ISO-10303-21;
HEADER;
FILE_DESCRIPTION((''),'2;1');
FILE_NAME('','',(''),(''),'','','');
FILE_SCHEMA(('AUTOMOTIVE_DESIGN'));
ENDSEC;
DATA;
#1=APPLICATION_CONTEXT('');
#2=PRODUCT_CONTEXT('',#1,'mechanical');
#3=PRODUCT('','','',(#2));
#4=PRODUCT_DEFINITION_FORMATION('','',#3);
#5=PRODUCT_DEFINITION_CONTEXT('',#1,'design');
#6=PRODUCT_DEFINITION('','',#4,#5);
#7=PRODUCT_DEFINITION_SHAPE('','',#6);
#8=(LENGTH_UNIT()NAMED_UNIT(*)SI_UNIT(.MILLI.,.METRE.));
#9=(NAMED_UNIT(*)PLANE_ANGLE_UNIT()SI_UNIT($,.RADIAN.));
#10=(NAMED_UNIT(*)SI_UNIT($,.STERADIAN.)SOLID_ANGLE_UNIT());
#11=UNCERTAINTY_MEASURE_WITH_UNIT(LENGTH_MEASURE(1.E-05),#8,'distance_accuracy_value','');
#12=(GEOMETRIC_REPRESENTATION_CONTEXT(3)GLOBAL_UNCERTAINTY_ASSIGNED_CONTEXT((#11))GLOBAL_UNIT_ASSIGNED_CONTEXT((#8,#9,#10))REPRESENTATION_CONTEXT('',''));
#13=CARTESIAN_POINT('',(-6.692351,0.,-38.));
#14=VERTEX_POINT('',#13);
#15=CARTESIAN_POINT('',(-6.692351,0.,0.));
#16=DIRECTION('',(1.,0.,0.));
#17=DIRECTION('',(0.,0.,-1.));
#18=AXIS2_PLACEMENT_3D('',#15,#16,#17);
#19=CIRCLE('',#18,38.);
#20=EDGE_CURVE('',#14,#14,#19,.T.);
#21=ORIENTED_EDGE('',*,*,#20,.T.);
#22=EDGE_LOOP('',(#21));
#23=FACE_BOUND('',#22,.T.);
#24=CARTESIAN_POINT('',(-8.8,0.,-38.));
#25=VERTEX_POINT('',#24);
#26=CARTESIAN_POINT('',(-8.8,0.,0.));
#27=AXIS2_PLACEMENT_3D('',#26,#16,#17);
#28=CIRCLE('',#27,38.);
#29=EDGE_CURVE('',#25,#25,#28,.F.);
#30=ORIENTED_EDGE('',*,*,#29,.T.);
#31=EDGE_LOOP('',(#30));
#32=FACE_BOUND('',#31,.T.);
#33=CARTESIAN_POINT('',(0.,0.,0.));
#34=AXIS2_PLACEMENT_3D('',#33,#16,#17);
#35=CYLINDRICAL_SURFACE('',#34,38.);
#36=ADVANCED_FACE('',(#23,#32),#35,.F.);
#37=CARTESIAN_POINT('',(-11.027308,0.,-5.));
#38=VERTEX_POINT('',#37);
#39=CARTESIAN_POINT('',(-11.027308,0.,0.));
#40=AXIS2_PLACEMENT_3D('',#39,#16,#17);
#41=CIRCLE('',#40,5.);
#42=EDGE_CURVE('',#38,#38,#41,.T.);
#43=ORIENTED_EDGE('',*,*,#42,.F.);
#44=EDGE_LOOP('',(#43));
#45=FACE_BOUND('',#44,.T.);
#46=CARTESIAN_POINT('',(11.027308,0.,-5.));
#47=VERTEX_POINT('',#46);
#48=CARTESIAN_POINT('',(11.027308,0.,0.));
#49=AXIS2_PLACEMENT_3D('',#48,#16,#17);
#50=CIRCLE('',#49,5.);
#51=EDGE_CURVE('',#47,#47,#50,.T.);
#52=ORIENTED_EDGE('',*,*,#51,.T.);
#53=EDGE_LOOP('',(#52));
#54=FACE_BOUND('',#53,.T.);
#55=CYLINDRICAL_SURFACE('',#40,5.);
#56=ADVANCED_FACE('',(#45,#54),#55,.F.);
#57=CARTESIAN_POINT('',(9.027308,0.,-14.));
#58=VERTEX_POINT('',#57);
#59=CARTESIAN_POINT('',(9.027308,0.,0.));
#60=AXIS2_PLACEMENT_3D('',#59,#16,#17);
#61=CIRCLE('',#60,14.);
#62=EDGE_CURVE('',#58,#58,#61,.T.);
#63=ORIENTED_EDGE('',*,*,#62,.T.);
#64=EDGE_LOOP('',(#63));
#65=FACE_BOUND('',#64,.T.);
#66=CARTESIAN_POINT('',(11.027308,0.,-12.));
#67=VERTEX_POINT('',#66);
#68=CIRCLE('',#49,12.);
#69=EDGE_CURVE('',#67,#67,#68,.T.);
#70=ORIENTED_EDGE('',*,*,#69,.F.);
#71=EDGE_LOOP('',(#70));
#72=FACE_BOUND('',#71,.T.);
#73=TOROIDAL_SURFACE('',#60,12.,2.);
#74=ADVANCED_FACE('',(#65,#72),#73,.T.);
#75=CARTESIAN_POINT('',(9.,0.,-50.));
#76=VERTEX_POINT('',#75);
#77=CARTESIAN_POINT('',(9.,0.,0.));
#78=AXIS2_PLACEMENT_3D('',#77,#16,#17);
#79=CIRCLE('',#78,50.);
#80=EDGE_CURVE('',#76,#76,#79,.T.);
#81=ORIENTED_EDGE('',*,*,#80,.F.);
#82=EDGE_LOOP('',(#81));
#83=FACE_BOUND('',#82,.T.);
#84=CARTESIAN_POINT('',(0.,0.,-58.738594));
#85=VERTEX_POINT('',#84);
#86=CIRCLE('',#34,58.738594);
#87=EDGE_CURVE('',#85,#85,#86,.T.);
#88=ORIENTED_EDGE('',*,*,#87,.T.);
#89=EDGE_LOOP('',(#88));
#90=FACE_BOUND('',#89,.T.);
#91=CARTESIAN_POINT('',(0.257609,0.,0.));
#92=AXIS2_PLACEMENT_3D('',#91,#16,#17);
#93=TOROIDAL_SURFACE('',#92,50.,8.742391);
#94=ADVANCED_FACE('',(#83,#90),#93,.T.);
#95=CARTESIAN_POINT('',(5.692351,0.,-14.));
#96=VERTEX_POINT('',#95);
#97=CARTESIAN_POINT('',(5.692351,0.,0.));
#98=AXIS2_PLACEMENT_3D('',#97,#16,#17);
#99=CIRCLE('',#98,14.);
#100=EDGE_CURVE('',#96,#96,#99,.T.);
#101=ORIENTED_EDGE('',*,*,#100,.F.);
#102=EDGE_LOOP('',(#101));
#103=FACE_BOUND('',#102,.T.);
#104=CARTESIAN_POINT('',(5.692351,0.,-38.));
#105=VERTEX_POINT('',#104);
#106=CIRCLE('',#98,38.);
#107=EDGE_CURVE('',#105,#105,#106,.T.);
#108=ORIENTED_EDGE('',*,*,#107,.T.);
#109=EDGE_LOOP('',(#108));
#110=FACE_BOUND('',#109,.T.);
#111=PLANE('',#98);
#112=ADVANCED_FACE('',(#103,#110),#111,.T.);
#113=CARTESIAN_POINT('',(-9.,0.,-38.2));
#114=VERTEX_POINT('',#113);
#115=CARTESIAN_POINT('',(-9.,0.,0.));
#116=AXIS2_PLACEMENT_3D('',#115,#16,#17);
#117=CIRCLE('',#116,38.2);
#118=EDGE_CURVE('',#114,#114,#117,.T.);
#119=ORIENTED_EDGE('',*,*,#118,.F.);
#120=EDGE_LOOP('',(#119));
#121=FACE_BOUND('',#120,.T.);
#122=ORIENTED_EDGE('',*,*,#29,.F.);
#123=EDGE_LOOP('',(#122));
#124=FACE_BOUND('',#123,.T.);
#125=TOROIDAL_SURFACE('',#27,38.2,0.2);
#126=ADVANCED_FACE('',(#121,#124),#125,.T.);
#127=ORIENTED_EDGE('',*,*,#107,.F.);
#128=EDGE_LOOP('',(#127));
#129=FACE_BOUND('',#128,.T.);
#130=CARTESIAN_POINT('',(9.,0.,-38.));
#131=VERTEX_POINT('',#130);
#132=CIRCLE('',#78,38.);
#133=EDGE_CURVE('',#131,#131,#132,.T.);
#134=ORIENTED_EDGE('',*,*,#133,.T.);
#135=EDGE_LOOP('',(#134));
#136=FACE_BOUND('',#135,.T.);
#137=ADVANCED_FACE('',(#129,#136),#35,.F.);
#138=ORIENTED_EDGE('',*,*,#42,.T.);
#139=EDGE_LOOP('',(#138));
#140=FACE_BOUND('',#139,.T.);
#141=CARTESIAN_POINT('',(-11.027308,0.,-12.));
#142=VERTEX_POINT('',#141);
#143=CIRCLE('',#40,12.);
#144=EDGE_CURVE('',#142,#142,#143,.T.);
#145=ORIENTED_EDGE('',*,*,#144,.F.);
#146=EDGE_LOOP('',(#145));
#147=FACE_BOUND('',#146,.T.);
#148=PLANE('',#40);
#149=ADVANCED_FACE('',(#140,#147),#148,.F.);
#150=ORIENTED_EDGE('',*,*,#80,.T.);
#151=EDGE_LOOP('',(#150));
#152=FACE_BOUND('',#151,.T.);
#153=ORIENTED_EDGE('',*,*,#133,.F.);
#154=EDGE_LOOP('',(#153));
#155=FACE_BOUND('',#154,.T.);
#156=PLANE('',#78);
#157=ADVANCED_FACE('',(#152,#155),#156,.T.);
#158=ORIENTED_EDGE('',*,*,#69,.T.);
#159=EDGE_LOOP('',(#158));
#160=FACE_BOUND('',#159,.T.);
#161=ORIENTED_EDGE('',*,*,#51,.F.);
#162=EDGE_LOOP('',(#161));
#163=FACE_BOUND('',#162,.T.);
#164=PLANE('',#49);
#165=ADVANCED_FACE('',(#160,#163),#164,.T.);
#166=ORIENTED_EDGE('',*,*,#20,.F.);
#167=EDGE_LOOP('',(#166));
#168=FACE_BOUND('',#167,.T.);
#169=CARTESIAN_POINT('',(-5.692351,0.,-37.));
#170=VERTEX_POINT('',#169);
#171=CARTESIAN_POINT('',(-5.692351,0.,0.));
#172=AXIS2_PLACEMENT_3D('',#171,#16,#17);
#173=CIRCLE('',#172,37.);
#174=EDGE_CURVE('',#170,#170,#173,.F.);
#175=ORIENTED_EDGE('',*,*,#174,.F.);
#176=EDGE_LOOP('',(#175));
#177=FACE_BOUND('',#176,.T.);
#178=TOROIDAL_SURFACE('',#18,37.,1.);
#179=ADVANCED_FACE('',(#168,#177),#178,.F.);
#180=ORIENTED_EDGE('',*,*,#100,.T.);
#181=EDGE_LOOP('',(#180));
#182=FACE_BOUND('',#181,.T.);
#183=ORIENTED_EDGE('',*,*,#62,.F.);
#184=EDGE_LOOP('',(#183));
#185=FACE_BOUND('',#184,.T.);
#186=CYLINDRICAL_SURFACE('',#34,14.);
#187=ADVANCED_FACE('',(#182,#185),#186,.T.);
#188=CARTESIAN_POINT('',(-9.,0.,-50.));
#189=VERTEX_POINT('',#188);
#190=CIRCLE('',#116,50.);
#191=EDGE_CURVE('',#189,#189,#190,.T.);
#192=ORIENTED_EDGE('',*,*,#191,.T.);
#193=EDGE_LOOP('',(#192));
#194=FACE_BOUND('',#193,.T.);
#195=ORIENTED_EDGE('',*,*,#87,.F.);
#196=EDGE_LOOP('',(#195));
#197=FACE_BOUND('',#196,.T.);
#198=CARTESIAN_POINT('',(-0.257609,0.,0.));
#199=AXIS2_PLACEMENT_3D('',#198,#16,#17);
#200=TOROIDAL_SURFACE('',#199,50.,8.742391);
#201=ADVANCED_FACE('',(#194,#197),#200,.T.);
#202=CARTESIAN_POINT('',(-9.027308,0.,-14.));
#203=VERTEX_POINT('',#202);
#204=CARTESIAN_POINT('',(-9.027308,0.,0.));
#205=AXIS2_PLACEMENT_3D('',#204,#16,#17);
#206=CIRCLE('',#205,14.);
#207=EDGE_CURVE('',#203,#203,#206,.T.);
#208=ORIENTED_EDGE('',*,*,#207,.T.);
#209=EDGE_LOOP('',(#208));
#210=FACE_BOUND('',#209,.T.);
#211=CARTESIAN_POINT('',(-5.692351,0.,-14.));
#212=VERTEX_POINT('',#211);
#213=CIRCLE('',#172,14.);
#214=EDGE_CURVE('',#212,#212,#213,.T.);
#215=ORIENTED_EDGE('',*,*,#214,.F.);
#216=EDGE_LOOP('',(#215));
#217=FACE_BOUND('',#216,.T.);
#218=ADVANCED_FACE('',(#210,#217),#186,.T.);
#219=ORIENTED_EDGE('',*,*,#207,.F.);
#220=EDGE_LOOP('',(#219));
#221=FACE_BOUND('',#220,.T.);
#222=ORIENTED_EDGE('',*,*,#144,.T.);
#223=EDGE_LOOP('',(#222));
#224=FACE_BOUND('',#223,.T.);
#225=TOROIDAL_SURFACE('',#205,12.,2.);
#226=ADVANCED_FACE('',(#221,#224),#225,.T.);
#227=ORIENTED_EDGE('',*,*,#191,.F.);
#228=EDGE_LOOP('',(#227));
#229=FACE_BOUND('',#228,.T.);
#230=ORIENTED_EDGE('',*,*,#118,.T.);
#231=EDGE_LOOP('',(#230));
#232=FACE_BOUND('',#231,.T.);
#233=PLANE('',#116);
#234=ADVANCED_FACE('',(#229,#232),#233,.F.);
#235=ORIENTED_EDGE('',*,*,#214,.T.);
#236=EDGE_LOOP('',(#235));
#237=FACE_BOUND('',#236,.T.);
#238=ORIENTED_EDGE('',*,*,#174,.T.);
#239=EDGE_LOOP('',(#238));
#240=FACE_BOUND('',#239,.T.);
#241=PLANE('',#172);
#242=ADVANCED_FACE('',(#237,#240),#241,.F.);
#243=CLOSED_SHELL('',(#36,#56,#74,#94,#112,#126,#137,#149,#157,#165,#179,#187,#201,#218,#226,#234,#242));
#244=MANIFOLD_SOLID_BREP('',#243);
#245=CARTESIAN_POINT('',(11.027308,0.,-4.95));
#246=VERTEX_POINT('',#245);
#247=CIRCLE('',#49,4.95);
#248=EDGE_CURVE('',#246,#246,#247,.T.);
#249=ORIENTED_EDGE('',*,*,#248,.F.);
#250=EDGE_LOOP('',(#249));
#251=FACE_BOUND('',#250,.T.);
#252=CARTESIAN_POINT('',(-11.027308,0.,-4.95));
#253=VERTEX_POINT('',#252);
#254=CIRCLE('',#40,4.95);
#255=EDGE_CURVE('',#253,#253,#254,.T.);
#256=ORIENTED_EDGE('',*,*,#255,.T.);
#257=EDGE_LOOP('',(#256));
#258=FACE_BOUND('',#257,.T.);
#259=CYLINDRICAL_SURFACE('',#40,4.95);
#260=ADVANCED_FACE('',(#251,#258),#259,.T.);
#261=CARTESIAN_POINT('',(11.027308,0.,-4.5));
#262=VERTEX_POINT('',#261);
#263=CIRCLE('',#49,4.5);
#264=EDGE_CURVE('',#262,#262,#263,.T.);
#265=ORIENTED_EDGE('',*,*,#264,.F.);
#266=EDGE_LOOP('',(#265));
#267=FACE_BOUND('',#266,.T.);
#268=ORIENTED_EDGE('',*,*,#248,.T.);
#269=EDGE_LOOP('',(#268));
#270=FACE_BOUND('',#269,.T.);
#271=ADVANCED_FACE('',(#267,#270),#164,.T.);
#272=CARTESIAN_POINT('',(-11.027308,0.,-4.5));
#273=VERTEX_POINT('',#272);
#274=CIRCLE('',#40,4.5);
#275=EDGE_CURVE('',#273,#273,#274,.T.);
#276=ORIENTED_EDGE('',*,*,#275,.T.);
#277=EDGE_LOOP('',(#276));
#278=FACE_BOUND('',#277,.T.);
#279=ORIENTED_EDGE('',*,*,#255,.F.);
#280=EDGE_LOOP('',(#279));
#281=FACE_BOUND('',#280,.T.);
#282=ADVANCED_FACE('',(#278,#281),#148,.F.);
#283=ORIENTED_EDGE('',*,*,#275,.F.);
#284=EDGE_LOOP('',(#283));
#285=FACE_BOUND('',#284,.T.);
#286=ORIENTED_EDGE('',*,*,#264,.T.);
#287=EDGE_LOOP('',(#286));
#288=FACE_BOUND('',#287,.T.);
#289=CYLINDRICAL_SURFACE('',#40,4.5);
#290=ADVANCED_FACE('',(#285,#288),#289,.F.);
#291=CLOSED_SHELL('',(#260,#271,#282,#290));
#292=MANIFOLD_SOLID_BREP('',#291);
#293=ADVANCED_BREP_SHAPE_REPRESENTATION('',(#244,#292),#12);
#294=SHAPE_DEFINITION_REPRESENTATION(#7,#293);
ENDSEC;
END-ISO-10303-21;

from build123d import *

# Parameters (mm, degrees)
SKETCH3_R          = 5
SKETCH3_R_2        = 4.95
SKETCH3_R_3        = 4.5
CUT_EXTRUDE1_DEPTH = 86.951980751
FILLET1_R          = 1
FILLET2_R          = 0.2


with BuildPart() as part:
    # Sketch2 → Revolve1 (revolve)
    with BuildSketch(Plane.XY, mode=Mode.PRIVATE) as revolve1_sk:
        with BuildLine():
            Line((-11.027307991, 12), (-11.027307991, 0))
            Line((-11.027307991, 0), (0, 0))
            Line((0, 0), (0, 58.738594233))
            ThreePointArc((0, 58.738594233), (-6.347653376, 56.272221081), (-9, 50))
            Line((-9, 50), (-9, 38))
            Line((-9, 38), (-5.692350932, 38))
            Line((-5.692350932, 38), (-5.692350932, 35.792500491))
            Line((-5.692350932, 35.792500491), (-5.692350932, 14))
            Line((-5.692350932, 14), (-9.027307991, 14))
            ThreePointArc((-9.027307991, 14), (-10.441521553, 13.414213562), (-11.027307991, 12))
        make_face()
        with BuildLine():
            Line((0, 58.738594233), (0, 0))
            Line((0, 0), (11.027307991, 0))
            Line((11.027307991, 0), (11.027307991, 12))
            ThreePointArc((11.027307991, 12), (10.441521553, 13.414213562), (9.027307991, 14))
            Line((9.027307991, 14), (5.692350932, 14))
            Line((5.692350932, 14), (5.692350932, 35.792500491))
            Line((5.692350932, 35.792500491), (5.692350932, 38))
            Line((5.692350932, 38), (9, 38))
            Line((9, 38), (9, 50))
            ThreePointArc((9, 50), (6.347653376, 56.272221081), (0, 58.738594233))
        make_face()
    revolve(revolve1_sk.sketch.rotate(Axis((0, 0, 0), (-1, 0, 0)), 90), axis=Axis((0, 0, 0), (-1, 0, 0)))

    # Sketch3 → Cut-Extrude1 (cut, through all)
    # profile 1 of 2: a face of its own
    with BuildSketch(Plane(origin=(11.027307991, 0, 0), x_dir=(0, 0, -1), z_dir=(1, 0, 0))):
        Circle(SKETCH3_R)
        Circle(SKETCH3_R_2, mode=Mode.SUBTRACT)
    # profile 2 of 2: a face of its own
    with BuildSketch(Plane(origin=(11.027307991, 0, 0), x_dir=(0, 0, -1), z_dir=(1, 0, 0))):
        Circle(SKETCH3_R_3)
    extrude(amount=-CUT_EXTRUDE1_DEPTH, mode=Mode.SUBTRACT)


with BuildPart() as cut_extrude1_piece_1:
    # of the separate pieces the step leaves, piece 1, a body of its own (cut_extrude1_pieces)
    add(part.part.solids().sort_by_distance((-11.027307991, 0, -12))[0])

    # Fillet1
    fillet1_edges = [cut_extrude1_piece_1.edges().sort_by_distance(p)[0] for p in [
        (-5.692350932, 0, 38),
    ]]
    fillet(fillet1_edges, radius=FILLET1_R)

    # Fillet2
    fillet2_edges = [cut_extrude1_piece_1.edges().sort_by_distance(p)[0] for p in [
        (-9, 0, 38),
    ]]
    fillet(fillet2_edges, radius=FILLET2_R)


with BuildPart() as cut_extrude1_piece_2:
    # of the separate pieces the step leaves, piece 2, a body of its own (cut_extrude1_pieces)
    add(part.part.solids().sort_by_distance((-11.027307991, 0, -4.95))[0])


solid = Compound([cut_extrude1_piece_1.part, cut_extrude1_piece_2.part])
